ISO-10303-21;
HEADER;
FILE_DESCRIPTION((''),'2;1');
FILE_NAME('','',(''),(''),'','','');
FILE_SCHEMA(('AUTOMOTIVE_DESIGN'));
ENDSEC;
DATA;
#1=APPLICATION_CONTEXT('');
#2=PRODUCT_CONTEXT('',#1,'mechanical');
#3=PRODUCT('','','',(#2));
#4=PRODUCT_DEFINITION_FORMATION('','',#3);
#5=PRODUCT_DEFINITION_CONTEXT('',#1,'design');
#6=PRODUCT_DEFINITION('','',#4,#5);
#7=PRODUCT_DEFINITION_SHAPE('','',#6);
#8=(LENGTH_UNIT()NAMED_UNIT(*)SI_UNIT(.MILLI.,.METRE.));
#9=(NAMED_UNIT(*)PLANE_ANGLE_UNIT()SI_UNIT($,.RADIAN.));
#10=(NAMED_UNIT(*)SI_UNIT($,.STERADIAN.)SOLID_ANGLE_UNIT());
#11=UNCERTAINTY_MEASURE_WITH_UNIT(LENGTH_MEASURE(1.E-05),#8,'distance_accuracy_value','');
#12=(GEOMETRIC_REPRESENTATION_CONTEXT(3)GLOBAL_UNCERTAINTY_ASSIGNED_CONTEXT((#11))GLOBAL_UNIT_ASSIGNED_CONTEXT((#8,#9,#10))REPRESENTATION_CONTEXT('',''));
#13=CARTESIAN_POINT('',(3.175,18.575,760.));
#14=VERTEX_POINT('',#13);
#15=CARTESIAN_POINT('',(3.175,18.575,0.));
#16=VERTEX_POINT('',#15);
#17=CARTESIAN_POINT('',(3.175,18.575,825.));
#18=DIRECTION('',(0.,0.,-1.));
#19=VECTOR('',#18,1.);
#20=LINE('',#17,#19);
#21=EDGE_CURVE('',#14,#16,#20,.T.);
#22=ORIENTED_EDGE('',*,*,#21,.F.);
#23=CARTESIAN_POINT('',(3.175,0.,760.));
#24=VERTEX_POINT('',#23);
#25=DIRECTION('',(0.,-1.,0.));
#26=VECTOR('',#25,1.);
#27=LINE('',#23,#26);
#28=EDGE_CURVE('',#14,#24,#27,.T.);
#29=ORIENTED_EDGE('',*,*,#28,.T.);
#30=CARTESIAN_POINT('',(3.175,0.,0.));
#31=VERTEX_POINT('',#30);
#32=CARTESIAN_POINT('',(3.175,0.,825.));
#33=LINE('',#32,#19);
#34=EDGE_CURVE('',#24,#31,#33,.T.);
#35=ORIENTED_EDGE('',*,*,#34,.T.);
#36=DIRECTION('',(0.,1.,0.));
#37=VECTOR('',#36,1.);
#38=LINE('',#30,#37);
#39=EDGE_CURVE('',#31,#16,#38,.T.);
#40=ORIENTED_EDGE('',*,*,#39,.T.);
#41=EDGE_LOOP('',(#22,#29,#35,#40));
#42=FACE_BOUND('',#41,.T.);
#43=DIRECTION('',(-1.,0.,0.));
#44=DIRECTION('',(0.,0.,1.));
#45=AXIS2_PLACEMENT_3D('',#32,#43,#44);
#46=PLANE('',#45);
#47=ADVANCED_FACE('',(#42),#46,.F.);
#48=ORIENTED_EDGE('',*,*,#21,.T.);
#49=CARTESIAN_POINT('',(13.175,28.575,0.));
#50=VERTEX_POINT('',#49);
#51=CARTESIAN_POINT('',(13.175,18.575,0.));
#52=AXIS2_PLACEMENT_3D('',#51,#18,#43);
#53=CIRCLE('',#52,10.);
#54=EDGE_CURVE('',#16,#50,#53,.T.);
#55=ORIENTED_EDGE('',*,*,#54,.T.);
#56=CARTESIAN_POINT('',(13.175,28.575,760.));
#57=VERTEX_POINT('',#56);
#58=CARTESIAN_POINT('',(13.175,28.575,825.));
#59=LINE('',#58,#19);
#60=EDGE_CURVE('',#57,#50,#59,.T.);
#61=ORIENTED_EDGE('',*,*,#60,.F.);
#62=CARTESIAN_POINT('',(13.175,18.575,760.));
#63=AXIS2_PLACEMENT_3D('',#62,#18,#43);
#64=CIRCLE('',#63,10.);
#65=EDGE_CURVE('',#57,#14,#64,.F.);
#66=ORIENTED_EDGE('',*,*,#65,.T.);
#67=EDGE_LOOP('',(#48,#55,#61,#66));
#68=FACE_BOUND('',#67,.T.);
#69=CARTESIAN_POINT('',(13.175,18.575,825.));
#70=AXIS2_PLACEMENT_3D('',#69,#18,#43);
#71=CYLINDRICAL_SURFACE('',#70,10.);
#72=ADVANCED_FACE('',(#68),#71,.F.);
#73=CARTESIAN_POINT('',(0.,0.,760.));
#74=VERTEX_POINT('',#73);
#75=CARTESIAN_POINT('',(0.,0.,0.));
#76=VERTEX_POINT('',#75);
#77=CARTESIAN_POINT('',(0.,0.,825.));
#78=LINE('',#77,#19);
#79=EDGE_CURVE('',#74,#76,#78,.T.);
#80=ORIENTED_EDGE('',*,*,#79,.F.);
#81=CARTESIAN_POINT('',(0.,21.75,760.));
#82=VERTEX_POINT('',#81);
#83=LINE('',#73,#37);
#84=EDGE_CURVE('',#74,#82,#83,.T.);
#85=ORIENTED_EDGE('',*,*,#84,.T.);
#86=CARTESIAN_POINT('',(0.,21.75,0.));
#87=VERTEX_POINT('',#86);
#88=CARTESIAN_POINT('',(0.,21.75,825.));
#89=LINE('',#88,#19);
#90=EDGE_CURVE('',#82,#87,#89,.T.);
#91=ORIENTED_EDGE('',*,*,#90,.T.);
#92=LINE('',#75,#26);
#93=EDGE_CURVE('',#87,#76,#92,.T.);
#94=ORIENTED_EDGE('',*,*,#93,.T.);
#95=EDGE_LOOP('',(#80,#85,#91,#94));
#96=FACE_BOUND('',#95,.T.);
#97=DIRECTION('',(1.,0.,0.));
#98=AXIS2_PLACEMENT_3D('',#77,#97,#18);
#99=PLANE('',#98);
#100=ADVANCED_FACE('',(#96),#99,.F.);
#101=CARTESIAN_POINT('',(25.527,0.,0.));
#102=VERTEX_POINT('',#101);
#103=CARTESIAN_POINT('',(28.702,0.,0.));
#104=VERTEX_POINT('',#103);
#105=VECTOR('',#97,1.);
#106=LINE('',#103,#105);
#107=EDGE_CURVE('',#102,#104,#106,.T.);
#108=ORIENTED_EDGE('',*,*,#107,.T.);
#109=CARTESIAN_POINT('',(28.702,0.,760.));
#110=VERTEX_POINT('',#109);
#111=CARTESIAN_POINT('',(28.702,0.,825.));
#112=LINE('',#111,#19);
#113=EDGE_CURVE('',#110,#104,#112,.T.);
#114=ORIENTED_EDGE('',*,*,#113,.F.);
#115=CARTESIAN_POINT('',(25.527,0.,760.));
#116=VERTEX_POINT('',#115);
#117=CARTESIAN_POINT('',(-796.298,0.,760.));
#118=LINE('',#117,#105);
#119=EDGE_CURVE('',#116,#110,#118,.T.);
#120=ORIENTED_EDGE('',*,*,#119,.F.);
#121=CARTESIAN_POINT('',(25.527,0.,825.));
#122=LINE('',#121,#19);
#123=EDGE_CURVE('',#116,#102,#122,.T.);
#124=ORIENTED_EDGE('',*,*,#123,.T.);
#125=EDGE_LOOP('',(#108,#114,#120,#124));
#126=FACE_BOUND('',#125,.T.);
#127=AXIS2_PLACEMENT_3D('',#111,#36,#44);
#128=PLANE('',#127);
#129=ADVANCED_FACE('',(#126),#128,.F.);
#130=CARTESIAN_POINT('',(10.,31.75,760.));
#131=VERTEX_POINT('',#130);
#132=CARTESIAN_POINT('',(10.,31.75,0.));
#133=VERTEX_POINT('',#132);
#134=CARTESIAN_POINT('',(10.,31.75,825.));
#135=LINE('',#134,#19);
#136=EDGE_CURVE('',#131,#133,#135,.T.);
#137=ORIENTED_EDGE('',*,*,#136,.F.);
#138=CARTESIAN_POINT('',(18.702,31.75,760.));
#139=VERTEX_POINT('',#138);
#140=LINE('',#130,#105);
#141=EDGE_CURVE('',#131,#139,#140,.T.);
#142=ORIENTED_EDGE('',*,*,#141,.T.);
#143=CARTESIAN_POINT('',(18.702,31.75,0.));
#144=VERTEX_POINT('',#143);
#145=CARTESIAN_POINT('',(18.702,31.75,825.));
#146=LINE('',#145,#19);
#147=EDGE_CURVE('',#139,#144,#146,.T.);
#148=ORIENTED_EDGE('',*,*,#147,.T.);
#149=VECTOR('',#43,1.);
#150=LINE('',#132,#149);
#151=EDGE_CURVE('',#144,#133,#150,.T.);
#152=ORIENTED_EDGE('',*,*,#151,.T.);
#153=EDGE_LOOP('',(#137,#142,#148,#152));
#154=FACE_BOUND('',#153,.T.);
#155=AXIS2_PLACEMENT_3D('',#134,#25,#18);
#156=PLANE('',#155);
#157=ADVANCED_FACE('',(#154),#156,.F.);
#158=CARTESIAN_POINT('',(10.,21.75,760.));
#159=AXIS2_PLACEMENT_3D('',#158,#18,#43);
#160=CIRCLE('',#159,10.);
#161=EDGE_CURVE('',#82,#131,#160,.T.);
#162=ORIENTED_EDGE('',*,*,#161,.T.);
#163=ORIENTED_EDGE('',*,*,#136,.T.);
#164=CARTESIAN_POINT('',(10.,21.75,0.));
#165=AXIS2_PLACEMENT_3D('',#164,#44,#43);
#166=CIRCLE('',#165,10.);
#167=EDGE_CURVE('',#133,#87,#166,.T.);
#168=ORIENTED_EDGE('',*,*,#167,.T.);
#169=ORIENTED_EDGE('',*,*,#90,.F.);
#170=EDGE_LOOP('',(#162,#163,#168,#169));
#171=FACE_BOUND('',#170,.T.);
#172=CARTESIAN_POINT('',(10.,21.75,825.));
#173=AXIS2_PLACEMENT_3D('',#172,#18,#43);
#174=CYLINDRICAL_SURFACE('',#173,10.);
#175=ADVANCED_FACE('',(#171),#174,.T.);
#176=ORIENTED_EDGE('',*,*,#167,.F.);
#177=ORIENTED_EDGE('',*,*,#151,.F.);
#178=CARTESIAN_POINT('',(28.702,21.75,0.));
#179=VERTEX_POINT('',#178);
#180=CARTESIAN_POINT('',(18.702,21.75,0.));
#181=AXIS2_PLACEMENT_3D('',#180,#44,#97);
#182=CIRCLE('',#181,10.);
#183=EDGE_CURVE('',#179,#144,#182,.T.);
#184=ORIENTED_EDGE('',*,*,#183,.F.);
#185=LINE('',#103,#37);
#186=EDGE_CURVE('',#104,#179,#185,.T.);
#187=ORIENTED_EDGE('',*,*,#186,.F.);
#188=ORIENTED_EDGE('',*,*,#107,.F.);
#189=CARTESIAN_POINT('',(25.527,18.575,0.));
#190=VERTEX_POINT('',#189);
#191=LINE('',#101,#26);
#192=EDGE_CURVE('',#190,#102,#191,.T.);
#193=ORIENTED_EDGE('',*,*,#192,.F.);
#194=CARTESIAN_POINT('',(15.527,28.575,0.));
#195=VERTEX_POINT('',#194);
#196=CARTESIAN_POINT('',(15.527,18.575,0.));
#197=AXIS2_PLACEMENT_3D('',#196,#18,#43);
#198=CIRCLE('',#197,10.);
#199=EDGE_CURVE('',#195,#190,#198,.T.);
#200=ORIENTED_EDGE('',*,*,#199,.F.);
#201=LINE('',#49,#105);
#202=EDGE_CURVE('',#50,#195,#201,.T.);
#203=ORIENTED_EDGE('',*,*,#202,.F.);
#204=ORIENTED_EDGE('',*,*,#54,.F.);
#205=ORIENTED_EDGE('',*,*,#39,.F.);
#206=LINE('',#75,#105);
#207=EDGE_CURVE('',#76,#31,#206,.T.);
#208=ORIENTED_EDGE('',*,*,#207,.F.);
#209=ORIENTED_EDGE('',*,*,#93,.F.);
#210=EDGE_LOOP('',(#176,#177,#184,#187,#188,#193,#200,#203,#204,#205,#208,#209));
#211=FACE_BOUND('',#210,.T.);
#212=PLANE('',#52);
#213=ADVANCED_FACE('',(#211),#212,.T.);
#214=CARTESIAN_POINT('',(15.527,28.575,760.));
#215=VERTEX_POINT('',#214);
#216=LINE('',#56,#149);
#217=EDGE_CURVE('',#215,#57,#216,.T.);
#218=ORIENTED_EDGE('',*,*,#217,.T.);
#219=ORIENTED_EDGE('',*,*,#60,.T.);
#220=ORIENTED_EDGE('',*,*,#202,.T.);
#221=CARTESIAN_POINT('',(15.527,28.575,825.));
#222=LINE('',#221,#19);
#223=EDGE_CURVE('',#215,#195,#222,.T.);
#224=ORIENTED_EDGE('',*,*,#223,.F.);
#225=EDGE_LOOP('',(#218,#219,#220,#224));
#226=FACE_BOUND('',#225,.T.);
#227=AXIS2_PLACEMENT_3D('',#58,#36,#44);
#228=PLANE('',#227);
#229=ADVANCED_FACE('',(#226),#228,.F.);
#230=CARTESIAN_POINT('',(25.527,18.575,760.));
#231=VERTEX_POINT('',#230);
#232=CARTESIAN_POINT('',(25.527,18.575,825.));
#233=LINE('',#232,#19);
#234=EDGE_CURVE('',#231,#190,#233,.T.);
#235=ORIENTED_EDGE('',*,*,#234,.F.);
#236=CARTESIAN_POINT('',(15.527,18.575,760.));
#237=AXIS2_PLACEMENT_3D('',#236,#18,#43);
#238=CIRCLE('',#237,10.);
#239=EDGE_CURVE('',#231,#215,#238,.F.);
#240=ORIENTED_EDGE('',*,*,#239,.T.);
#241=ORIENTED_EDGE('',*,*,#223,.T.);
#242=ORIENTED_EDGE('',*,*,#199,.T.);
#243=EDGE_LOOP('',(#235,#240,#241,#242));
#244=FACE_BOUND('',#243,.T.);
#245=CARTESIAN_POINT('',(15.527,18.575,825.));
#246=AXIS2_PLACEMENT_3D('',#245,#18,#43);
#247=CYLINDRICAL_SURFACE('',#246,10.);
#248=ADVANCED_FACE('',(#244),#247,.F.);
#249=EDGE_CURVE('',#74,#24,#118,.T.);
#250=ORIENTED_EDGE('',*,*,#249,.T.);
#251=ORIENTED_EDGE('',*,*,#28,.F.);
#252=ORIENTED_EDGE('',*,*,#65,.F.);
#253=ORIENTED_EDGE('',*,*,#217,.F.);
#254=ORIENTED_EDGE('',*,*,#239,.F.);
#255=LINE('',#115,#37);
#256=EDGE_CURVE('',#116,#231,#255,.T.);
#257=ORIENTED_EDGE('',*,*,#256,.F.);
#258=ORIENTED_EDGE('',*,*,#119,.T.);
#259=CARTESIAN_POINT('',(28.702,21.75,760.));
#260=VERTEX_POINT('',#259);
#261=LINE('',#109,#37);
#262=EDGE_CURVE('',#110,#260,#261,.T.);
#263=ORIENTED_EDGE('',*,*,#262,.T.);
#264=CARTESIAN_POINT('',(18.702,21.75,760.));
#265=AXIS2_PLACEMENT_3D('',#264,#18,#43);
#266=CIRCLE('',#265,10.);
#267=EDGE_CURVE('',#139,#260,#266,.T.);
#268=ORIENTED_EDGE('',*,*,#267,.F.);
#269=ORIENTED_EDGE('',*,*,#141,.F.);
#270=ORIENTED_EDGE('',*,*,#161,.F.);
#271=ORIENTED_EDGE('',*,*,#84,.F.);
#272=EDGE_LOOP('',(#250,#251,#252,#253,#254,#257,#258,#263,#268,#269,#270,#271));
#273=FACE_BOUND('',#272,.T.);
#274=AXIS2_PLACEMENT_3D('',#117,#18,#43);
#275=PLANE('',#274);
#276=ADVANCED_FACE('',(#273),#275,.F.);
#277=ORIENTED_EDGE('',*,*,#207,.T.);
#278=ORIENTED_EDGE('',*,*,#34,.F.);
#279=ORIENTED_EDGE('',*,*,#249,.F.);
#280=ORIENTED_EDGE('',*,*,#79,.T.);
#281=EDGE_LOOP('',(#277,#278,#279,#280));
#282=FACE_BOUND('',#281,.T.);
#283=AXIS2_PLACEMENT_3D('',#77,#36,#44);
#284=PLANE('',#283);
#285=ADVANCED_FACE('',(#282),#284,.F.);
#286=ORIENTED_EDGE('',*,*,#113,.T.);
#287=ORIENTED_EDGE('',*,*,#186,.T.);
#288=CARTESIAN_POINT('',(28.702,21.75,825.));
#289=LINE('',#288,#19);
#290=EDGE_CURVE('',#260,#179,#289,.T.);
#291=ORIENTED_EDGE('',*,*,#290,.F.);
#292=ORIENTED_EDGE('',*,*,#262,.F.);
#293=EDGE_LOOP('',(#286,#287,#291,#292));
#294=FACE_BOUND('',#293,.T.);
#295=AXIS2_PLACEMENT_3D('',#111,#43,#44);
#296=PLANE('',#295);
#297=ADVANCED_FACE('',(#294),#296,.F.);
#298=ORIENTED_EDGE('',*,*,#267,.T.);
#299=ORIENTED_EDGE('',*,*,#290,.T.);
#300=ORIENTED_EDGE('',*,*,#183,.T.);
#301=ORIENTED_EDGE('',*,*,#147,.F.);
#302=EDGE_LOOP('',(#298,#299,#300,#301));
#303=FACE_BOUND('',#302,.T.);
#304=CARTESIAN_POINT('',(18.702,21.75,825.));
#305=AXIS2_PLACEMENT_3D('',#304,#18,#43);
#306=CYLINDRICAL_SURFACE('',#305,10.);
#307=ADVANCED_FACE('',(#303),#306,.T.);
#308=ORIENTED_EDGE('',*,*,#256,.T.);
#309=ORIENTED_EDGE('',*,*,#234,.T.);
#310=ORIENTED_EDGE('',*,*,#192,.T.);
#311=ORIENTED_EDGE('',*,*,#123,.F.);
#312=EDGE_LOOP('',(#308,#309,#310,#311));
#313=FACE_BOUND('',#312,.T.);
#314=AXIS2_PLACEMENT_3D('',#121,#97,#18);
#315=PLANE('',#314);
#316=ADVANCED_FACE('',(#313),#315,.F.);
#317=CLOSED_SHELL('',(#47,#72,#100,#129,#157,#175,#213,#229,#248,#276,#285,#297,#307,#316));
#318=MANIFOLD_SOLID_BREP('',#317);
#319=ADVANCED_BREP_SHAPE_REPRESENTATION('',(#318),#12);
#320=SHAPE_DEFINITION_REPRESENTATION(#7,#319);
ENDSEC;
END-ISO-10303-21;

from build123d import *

# Parameters (mm, degrees)
BOSS_EXTRUDE1_DEPTH = 825
SKETCH3_W           = 95.704535521
SKETCH3_H           = 58.136059774
CUT_EXTRUDE2_DEPTH  = 825


with BuildPart() as part:
    # Sketch1 → Boss-Extrude1 (new body)
    with BuildSketch(Plane.XY):
        with BuildLine():
            Line((3.175, 0), (3.175, 18.575))
            ThreePointArc((3.175, 18.575), (6.103932188, 25.646067812), (13.175, 28.575))
            Line((13.175, 28.575), (15.527, 28.575))
            ThreePointArc((15.527, 28.575), (22.598067812, 25.646067812), (25.527, 18.575))
            Line((25.527, 18.575), (25.527, 0))
            Line((25.527, 0), (28.702, 0))
            Line((28.702, 0), (28.702, 21.75))
            ThreePointArc((28.702, 21.75), (25.773067812, 28.821067812), (18.702, 31.75))
            Line((18.702, 31.75), (10, 31.75))
            ThreePointArc((10, 31.75), (2.928932188, 28.821067812), (0, 21.75))
            Line((0, 21.75), (0, 0))
            Line((0, 0), (3.175, 0))
        make_face()
    extrude(amount=BOSS_EXTRUDE1_DEPTH)

    # Sketch3 → Cut-Extrude2 (cut)
    with BuildSketch(Plane(origin=(28.702, 0, 0), x_dir=(0, 0, -1), z_dir=(1, 0, 0))):
        with Locations((-807.852267761, 29.068029887)):
            Rectangle(SKETCH3_W, SKETCH3_H)
    extrude(amount=-CUT_EXTRUDE2_DEPTH, mode=Mode.SUBTRACT)


solid = part.part
